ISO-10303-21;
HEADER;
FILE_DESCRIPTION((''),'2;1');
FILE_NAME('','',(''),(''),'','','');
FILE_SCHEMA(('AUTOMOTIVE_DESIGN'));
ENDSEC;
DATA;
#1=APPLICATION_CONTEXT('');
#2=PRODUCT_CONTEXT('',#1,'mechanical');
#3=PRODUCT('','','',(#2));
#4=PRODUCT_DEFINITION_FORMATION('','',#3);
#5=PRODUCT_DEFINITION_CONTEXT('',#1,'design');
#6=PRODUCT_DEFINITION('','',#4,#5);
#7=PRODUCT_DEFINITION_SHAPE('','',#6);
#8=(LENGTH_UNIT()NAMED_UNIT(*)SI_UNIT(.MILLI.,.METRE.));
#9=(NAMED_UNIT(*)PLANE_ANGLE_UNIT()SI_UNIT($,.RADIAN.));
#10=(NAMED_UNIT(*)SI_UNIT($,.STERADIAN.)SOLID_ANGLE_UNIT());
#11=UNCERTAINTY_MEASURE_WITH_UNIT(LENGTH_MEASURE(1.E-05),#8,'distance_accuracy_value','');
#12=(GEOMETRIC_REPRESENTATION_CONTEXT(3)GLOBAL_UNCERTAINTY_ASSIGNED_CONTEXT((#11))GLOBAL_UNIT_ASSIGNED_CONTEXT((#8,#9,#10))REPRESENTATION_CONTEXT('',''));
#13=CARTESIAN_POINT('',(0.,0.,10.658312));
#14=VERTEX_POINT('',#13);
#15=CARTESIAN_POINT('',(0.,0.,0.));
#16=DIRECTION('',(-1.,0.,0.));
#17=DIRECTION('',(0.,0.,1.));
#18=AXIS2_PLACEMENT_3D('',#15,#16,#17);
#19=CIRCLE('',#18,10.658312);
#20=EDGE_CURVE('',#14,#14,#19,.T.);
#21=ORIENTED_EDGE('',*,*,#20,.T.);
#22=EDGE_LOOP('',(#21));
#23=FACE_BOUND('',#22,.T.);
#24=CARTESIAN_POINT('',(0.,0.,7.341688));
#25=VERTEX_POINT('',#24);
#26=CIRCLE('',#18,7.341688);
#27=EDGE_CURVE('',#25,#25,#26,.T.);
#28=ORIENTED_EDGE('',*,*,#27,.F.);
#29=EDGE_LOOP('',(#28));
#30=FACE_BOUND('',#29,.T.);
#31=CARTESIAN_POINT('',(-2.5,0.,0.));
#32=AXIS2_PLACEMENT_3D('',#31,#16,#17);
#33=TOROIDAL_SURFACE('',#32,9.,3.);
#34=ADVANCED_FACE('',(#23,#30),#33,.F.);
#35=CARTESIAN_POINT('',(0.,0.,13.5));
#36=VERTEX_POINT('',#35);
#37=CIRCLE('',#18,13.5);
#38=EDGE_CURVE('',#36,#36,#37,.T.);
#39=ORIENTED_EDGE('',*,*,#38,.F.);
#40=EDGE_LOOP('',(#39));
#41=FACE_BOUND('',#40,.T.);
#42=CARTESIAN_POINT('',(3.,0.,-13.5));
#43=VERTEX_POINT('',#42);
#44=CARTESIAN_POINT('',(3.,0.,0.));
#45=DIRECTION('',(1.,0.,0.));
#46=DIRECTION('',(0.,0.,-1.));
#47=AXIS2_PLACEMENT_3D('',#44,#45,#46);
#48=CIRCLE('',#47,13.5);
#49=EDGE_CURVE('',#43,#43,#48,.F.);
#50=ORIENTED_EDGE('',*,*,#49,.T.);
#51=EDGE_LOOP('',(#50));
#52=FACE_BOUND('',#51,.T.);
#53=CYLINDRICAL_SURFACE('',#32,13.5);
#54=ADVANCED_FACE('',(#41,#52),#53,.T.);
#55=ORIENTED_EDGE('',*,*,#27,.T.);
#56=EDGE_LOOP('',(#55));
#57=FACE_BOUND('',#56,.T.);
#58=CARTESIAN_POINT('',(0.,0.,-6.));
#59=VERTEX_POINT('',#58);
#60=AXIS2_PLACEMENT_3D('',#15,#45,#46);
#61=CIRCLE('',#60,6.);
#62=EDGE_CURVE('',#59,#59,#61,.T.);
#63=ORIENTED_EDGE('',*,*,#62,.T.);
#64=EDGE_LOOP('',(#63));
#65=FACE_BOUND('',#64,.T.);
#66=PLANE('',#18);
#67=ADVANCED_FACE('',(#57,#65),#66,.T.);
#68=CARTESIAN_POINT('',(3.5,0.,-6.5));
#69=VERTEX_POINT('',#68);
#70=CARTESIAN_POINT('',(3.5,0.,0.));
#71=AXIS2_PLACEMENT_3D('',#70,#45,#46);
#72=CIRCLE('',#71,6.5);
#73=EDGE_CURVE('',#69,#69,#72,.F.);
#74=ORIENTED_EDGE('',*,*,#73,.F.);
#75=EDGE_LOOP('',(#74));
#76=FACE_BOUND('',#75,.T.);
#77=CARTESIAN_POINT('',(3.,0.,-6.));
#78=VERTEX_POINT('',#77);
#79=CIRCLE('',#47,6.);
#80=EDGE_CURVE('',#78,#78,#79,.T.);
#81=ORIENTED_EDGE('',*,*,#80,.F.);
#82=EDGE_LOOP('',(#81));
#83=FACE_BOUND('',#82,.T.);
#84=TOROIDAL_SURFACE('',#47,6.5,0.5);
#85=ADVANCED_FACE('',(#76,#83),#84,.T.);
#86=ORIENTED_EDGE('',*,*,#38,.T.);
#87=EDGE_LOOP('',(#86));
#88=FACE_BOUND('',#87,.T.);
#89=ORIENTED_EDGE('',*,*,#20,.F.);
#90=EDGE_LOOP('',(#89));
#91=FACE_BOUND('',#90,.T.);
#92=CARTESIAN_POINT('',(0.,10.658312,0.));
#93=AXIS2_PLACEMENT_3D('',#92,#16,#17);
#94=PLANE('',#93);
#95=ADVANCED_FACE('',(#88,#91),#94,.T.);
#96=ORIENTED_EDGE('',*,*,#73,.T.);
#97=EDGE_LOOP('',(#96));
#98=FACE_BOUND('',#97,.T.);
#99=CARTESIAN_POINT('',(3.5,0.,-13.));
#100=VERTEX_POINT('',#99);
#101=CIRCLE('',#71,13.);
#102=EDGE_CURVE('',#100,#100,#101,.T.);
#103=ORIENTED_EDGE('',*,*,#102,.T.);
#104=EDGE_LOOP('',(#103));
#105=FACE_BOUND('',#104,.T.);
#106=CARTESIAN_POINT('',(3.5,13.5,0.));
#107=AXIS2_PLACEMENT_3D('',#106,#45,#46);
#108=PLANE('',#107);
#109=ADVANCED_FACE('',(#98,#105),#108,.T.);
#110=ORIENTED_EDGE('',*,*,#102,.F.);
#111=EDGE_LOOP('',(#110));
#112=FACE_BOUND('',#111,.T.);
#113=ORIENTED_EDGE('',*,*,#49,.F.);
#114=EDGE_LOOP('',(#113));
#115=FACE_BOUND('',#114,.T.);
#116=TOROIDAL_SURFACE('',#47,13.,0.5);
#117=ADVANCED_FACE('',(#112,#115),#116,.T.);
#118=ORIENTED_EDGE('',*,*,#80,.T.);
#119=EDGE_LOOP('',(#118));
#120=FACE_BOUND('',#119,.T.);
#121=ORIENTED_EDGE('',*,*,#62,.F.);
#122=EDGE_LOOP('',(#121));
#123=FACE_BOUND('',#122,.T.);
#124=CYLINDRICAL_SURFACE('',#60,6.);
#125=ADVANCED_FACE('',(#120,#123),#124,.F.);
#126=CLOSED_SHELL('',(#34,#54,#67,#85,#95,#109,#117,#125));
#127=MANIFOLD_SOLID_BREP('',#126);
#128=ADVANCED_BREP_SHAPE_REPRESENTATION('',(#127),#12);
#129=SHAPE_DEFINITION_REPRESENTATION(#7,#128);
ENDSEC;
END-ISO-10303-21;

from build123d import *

# Parameters (mm, degrees)
CONG_1_R                = 0.5
ESQUISSE2_R             = 6
ENL_V_MAT_EXTRU_1_DEPTH = 20.410049083
CONG_2_R                = 0.5


with BuildPart() as part:
    # Esquisse1 → Base-Révolution (revolve)
    with BuildSketch(Plane.XY, mode=Mode.PRIVATE) as base_r_volution_sk:
        with BuildLine():
            Line((0, 0), (0, 7.341687605))
            ThreePointArc((0, 7.341687605), (0.5, 9), (0, 10.658312395))
            Line((0, 10.658312395), (0, 13.5))
            Line((0, 13.5), (3.5, 13.5))
            Line((3.5, 13.5), (3.5, 0))
            Line((3.5, 0), (0, 0))
        make_face()
    revolve(base_r_volution_sk.sketch.rotate(Axis((-2.5, 0, 0), (1, 0, 0)), 270), axis=Axis((-2.5, 0, 0), (1, 0, 0)))

    # Congé1
    cong_1_edges = [part.edges().sort_by_distance(p)[0] for p in [
        (3.5, 0, 13.5),
    ]]
    fillet(cong_1_edges, radius=CONG_1_R)

    # Esquisse2 → Enlèv. mat.-Extru.1 (cut, through all)
    with BuildSketch(Plane(origin=(3.5, 0, 0), x_dir=(0, 0, -1), z_dir=(1, 0, 0))):
        Circle(ESQUISSE2_R)
    extrude(amount=-ENL_V_MAT_EXTRU_1_DEPTH, mode=Mode.SUBTRACT)

    # Congé2
    cong_2_edges = [part.edges().sort_by_distance(p)[0] for p in [
        (3.5, 0, 6),
    ]]
    fillet(cong_2_edges, radius=CONG_2_R)


solid = part.part
